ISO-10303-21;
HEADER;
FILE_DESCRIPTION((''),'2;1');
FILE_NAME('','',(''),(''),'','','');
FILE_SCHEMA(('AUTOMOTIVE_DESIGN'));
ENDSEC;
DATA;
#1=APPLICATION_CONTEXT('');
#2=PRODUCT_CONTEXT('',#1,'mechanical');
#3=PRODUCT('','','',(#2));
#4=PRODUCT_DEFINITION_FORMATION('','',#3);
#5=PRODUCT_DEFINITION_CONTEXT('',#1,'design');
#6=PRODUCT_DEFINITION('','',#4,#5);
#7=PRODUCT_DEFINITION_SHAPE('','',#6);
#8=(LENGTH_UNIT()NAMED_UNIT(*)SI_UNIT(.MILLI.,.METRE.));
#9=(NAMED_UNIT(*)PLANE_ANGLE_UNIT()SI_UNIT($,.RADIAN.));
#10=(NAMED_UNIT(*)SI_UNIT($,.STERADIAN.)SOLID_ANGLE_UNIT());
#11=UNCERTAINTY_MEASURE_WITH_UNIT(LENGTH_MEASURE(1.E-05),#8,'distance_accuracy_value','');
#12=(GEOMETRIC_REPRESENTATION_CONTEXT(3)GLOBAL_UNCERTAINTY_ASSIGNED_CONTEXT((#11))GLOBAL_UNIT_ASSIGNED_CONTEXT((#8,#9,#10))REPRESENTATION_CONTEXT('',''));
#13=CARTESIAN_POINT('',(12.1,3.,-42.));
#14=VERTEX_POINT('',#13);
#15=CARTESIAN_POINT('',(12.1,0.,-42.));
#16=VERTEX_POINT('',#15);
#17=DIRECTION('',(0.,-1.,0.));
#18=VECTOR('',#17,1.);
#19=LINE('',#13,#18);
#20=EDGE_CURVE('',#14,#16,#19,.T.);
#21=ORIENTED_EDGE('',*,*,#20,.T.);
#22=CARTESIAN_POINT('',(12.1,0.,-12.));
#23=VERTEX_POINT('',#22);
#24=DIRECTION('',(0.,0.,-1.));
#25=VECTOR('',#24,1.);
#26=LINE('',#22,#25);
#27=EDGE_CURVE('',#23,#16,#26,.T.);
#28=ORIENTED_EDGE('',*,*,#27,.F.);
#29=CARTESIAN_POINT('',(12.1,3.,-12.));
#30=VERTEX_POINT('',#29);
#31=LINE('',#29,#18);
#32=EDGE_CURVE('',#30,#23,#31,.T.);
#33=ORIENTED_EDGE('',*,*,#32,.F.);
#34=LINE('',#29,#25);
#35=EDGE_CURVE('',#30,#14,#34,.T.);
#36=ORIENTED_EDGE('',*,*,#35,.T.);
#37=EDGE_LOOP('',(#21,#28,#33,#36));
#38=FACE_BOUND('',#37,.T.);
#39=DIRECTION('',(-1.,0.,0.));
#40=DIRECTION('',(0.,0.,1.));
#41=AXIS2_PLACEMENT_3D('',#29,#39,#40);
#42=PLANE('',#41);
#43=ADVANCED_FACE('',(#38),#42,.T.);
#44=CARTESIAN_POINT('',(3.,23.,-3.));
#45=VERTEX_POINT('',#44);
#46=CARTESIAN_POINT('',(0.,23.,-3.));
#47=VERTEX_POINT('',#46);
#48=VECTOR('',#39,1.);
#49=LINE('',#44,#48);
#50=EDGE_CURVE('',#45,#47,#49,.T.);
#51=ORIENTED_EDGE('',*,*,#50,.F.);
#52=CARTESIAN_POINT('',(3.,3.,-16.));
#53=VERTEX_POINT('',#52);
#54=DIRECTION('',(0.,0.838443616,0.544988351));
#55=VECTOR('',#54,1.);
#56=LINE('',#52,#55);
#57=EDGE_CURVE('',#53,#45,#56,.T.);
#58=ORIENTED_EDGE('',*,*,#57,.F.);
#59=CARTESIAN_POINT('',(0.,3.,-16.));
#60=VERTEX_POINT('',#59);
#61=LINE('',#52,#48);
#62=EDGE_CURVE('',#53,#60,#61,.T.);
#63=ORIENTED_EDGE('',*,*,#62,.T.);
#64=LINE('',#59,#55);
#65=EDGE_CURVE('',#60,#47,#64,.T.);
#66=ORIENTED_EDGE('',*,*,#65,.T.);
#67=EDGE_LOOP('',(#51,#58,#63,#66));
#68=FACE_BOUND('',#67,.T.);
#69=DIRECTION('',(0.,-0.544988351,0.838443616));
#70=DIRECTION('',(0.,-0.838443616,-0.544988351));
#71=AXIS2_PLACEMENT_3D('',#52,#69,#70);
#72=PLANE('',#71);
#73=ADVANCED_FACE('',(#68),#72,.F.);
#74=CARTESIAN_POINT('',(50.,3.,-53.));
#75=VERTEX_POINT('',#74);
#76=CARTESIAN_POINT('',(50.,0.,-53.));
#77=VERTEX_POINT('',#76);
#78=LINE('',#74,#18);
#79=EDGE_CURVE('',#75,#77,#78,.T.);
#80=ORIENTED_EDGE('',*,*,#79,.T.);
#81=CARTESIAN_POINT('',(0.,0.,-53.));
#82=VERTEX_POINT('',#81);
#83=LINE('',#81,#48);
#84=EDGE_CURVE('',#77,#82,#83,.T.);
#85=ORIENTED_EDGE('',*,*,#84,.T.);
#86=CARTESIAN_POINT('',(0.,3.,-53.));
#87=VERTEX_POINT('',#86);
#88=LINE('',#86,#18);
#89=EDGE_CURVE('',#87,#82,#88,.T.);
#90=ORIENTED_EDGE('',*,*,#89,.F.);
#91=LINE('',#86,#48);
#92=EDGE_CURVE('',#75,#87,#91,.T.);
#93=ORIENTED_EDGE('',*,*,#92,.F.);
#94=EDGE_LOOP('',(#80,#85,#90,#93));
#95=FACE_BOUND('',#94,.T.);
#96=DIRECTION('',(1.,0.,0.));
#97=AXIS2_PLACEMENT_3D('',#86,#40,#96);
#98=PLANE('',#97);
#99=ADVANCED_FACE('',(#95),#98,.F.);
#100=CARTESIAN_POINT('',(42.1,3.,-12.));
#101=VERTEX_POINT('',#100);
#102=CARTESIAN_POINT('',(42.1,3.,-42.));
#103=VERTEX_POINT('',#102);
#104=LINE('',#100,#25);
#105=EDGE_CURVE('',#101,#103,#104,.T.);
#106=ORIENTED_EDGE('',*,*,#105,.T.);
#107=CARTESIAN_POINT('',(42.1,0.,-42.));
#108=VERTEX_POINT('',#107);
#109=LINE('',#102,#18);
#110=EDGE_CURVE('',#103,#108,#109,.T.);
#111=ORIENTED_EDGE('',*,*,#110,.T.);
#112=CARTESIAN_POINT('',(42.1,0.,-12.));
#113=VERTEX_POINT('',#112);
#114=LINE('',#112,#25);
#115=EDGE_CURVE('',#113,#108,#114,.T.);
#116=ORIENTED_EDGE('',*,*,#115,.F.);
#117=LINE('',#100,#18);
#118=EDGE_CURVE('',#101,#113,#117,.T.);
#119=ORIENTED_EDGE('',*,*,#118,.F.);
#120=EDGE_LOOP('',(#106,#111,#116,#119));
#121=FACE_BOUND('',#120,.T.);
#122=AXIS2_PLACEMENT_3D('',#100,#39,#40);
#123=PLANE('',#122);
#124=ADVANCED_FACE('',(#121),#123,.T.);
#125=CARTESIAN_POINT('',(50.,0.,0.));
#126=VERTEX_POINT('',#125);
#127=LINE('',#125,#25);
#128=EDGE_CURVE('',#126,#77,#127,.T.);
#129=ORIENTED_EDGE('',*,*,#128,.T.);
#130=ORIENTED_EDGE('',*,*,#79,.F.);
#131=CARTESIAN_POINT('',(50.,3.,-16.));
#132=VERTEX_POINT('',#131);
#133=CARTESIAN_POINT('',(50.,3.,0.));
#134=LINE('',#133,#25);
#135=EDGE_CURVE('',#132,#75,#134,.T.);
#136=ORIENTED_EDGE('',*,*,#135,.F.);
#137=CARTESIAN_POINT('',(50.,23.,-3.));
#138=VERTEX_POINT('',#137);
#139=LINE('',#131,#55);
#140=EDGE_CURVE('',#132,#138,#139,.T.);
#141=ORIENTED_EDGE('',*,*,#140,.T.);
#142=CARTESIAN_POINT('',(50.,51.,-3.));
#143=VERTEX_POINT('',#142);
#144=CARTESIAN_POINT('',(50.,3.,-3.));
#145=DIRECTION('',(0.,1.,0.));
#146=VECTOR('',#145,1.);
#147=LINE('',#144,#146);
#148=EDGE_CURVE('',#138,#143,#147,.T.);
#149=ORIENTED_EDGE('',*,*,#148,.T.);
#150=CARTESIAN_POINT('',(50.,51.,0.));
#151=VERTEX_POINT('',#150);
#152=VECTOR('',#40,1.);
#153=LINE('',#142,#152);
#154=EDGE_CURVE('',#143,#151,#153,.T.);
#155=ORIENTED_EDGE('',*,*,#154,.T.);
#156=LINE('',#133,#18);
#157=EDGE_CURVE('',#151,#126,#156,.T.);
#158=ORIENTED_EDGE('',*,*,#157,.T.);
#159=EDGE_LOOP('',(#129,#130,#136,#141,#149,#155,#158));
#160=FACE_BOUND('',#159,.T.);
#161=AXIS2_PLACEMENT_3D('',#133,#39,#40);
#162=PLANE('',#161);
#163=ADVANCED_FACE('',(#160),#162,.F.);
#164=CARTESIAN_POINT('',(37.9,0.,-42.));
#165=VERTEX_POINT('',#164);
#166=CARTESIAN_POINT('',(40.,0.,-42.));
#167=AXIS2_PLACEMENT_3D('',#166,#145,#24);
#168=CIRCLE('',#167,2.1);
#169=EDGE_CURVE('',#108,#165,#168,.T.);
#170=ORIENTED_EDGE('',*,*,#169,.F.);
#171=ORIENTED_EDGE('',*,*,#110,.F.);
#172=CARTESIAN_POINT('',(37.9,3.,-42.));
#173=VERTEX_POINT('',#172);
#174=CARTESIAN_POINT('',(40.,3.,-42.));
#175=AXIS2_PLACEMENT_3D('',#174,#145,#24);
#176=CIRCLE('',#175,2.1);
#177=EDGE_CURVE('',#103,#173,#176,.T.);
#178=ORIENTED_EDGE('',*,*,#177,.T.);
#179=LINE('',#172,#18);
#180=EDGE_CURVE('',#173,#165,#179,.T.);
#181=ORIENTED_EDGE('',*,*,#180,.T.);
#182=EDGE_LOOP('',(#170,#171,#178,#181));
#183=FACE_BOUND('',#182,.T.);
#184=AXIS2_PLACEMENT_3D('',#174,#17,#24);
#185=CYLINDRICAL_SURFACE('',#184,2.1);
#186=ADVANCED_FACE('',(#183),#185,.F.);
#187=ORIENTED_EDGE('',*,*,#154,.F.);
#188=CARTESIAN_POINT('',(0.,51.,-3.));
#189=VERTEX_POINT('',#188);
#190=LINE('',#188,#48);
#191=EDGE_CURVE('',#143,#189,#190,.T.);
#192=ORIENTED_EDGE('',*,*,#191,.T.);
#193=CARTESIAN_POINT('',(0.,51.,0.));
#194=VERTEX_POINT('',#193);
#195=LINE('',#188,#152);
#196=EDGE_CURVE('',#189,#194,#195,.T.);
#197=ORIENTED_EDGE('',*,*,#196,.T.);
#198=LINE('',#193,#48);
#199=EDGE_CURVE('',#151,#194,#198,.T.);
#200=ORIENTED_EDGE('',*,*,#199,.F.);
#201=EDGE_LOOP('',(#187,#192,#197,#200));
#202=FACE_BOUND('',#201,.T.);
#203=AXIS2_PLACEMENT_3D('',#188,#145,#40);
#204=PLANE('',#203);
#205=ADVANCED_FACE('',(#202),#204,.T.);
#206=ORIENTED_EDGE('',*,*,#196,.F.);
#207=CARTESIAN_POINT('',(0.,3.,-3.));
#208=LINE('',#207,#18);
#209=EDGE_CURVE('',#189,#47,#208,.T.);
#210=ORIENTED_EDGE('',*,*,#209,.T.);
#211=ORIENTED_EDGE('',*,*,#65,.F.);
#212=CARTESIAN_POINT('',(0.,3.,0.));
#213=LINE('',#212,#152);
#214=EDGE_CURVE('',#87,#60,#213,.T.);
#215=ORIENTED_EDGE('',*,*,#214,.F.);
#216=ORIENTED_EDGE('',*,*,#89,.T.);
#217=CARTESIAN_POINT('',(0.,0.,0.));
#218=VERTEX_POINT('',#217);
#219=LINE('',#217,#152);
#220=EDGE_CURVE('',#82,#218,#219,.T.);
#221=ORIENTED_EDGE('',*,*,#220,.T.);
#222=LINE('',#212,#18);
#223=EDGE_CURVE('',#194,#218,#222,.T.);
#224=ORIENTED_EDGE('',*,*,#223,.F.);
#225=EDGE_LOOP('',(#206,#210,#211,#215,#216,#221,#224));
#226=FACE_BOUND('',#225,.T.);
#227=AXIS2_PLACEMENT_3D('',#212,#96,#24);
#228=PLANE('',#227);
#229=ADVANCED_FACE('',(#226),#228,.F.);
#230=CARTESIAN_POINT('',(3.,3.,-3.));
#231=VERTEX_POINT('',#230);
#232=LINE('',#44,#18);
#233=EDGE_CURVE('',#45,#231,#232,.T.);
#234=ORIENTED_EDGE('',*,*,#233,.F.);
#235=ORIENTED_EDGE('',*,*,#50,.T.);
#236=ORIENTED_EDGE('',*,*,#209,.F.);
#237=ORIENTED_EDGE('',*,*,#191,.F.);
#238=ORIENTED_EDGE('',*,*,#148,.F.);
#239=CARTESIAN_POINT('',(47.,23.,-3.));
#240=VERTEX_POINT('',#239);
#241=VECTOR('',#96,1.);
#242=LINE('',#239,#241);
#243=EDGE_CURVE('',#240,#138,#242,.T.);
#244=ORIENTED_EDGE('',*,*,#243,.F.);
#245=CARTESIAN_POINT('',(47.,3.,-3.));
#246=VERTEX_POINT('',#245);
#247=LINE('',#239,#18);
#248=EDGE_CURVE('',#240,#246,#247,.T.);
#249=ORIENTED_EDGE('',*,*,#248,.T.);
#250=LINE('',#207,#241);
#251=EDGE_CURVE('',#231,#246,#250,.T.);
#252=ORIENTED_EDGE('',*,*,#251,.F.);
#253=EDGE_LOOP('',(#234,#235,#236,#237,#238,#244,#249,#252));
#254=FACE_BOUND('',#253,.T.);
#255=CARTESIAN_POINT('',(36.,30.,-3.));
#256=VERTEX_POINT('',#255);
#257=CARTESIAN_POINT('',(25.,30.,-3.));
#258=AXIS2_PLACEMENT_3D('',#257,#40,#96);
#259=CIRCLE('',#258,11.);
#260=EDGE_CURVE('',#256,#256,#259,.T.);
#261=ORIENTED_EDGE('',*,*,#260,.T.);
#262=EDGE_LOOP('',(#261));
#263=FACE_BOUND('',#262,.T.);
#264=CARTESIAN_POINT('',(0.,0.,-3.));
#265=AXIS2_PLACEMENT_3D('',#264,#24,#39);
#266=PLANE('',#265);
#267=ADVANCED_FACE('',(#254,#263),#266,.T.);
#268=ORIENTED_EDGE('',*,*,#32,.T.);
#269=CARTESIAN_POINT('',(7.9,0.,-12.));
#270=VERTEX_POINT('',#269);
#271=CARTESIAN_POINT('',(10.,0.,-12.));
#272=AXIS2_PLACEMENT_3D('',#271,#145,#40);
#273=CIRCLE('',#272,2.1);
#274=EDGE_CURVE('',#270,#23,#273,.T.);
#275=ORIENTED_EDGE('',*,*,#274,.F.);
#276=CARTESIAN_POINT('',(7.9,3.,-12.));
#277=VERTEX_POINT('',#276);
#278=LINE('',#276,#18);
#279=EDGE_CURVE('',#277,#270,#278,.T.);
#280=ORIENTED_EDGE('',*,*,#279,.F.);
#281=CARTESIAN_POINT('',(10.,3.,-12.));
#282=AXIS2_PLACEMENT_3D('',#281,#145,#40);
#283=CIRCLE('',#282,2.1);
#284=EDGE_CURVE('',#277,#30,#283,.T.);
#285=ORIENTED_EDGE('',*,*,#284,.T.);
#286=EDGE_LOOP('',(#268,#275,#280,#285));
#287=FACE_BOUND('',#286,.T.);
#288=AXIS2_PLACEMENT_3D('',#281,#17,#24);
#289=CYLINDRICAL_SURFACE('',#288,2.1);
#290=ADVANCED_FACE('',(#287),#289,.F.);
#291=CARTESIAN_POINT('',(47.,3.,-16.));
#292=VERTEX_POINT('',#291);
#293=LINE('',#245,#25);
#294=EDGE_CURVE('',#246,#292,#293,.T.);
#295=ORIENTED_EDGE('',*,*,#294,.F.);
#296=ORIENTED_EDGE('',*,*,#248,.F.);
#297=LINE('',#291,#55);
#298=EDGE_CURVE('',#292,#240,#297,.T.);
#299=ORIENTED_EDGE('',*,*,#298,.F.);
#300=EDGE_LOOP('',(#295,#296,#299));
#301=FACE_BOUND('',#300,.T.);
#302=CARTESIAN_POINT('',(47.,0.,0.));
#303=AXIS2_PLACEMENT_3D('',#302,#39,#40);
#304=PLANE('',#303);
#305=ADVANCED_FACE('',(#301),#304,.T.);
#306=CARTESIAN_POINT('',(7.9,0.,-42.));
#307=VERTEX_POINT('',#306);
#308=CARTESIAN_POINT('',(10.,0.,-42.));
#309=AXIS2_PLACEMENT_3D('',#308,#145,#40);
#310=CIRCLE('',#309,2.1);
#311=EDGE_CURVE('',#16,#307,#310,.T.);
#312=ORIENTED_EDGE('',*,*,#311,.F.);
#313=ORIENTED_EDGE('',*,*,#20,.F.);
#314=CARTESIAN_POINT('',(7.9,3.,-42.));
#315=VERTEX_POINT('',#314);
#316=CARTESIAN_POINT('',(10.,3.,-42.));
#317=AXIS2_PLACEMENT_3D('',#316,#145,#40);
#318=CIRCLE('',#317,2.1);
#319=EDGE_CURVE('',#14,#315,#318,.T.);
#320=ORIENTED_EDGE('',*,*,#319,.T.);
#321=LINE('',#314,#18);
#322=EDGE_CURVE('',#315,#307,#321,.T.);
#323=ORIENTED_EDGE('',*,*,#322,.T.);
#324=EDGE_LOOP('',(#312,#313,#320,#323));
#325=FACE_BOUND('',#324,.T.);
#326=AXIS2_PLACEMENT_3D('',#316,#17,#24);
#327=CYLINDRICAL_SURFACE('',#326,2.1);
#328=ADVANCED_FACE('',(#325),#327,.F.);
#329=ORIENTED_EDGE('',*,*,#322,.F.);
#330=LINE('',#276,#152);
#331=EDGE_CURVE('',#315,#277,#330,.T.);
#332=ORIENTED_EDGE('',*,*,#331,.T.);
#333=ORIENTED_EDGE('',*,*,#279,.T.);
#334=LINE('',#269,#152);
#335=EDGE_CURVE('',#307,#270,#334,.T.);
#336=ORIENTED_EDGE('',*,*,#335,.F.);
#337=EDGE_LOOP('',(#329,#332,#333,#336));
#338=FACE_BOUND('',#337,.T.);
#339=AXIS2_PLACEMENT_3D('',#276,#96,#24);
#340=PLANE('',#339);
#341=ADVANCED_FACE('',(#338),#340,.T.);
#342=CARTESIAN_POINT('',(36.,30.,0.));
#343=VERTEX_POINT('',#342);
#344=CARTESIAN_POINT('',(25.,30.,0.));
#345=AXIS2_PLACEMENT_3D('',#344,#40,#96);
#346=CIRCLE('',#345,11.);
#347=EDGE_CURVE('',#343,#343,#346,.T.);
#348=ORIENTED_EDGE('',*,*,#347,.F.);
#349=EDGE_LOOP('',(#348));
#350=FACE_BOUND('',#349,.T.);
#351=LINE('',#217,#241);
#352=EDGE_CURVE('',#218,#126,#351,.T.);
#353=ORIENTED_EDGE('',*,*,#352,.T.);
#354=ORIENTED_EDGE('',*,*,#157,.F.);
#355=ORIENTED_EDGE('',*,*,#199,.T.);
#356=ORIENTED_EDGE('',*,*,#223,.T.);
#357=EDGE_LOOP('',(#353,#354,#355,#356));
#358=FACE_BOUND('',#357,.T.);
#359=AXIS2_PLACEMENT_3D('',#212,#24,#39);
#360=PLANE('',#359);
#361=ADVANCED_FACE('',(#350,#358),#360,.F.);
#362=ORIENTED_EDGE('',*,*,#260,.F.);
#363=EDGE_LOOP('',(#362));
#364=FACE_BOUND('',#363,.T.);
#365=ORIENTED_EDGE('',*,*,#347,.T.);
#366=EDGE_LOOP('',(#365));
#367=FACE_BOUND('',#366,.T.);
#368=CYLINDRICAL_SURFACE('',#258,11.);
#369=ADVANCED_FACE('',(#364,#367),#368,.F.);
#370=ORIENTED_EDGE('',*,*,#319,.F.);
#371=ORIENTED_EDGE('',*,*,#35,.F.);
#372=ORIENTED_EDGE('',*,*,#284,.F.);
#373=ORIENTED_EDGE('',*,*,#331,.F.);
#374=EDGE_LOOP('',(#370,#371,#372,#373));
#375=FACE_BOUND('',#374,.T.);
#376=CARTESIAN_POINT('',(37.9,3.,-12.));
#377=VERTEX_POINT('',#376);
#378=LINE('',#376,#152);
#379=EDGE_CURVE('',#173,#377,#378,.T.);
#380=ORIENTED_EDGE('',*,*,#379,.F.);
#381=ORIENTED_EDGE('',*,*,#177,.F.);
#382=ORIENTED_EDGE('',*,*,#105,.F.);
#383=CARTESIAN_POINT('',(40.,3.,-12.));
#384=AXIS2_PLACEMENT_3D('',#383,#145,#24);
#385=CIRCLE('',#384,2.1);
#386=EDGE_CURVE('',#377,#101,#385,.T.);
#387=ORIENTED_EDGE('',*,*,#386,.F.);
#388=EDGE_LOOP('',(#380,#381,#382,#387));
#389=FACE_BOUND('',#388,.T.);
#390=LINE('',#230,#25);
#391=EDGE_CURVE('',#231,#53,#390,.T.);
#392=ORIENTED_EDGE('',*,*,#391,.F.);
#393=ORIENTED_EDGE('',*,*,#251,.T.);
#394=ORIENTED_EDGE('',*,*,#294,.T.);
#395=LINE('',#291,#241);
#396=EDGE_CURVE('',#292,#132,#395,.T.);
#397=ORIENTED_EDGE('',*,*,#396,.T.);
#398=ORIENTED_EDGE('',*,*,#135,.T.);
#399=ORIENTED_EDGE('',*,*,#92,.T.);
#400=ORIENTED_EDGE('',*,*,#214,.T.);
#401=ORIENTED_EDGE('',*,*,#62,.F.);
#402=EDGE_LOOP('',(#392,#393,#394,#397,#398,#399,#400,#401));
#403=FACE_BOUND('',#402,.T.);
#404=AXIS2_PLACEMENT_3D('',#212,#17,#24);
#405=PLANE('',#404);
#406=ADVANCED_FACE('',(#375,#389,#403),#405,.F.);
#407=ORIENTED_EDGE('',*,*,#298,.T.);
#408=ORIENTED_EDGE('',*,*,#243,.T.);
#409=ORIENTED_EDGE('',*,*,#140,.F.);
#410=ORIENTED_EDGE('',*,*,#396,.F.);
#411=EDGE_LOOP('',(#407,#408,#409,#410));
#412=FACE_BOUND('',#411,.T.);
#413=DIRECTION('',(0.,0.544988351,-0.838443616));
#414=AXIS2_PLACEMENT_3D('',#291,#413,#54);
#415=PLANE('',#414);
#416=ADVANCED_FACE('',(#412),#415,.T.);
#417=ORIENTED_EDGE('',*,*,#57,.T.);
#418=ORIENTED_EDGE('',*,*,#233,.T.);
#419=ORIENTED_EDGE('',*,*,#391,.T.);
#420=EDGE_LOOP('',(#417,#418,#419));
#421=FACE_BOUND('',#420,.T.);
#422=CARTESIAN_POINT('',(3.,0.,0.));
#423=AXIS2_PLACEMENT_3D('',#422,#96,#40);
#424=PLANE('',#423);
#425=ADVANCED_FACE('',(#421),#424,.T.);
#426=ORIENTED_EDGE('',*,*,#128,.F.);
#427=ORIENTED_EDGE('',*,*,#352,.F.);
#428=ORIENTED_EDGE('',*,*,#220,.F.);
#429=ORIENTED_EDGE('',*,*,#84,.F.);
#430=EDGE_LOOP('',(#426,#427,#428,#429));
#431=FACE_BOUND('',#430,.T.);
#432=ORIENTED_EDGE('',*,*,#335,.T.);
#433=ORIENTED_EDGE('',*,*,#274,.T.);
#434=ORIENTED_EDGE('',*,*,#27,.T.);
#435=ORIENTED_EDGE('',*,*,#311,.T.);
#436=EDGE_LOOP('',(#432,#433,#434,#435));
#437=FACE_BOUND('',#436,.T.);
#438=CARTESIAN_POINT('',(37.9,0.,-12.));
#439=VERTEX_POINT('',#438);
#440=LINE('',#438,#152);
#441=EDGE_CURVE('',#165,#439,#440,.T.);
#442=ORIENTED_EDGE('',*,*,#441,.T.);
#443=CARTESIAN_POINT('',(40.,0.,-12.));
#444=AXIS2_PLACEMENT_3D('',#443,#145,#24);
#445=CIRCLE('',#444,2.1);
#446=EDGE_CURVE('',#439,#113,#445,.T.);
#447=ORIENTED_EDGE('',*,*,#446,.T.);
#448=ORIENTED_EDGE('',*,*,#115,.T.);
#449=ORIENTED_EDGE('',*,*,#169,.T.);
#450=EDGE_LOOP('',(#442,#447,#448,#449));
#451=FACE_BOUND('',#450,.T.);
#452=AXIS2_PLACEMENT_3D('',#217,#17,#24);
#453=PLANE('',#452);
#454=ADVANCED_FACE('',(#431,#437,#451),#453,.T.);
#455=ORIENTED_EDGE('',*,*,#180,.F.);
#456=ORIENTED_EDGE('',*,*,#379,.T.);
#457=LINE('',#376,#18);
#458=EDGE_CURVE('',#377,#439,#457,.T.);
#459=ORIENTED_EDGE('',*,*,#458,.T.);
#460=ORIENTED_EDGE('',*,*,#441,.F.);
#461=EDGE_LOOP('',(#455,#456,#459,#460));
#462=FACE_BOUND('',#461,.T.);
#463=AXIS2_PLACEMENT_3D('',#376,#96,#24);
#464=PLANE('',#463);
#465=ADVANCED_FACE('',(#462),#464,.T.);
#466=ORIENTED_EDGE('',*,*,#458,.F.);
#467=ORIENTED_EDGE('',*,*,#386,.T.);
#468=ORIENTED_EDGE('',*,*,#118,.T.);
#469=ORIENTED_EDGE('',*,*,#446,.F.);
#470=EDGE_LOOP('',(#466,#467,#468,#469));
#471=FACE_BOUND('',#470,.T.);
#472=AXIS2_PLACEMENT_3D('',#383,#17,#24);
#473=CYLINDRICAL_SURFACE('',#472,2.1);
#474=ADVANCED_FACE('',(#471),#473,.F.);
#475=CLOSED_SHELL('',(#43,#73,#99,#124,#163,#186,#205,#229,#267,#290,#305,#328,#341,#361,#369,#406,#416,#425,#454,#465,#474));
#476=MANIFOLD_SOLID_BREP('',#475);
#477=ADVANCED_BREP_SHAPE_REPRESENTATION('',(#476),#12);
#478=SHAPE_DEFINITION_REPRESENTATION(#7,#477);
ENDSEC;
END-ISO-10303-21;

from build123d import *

# Parameters (mm, degrees)
SKETCH2_W           = 50
SKETCH2_H           = 53
BOSS_EXTRUDE1_DEPTH = 3
SKETCH3_W           = 50
SKETCH3_H           = 48
SKETCH3_R           = 11
BOSS_EXTRUDE2_DEPTH = 3
BOSS_EXTRUDE3_DEPTH = 3


with BuildPart() as part:
    # Sketch2 → Boss-Extrude1 (new body)
    with BuildSketch(Plane(origin=(0, 0, 0), x_dir=(1, 0, 0), z_dir=(0, 1, 0))):
        with Locations((25, 26.5)):
            Rectangle(SKETCH2_W, SKETCH2_H)
        with BuildLine():
            Line((7.9, 12), (7.9, 42))
            ThreePointArc((7.9, 42), (10, 44.1), (12.1, 42))
            Line((12.1, 42), (12.1, 12))
            ThreePointArc((12.1, 12), (10, 9.9), (7.9, 12))
        make_face(mode=Mode.SUBTRACT)
        with BuildLine():
            Line((42.1, 12), (42.1, 42))
            ThreePointArc((42.1, 42), (40, 44.1), (37.9, 42))
            Line((37.9, 42), (37.9, 12))
            ThreePointArc((37.9, 12), (40, 9.9), (42.1, 12))
        make_face(mode=Mode.SUBTRACT)
    extrude(amount=BOSS_EXTRUDE1_DEPTH)

    # Sketch3 → Boss-Extrude2 (add)
    with BuildSketch(Plane.XY):
        with Locations((25, 27)):
            Rectangle(SKETCH3_W, SKETCH3_H)
        with Locations((25, 30)):
            Circle(SKETCH3_R, mode=Mode.SUBTRACT)
    extrude(amount=-BOSS_EXTRUDE2_DEPTH)

    # Sketch4 → Boss-Extrude3 (add)
    with BuildSketch(Plane(origin=(50, 0, 0), x_dir=(0, 0, -1), z_dir=(1, 0, 0))):
        Polygon((16, 3), (3, 23), (3, 3), align=None)
    boss_extrude3 = extrude(amount=-BOSS_EXTRUDE3_DEPTH)

    # Mirror1: Boss-Extrude3 across plane
    add(boss_extrude3.mirror(Plane.ZY.offset(-25)))


solid = part.part
